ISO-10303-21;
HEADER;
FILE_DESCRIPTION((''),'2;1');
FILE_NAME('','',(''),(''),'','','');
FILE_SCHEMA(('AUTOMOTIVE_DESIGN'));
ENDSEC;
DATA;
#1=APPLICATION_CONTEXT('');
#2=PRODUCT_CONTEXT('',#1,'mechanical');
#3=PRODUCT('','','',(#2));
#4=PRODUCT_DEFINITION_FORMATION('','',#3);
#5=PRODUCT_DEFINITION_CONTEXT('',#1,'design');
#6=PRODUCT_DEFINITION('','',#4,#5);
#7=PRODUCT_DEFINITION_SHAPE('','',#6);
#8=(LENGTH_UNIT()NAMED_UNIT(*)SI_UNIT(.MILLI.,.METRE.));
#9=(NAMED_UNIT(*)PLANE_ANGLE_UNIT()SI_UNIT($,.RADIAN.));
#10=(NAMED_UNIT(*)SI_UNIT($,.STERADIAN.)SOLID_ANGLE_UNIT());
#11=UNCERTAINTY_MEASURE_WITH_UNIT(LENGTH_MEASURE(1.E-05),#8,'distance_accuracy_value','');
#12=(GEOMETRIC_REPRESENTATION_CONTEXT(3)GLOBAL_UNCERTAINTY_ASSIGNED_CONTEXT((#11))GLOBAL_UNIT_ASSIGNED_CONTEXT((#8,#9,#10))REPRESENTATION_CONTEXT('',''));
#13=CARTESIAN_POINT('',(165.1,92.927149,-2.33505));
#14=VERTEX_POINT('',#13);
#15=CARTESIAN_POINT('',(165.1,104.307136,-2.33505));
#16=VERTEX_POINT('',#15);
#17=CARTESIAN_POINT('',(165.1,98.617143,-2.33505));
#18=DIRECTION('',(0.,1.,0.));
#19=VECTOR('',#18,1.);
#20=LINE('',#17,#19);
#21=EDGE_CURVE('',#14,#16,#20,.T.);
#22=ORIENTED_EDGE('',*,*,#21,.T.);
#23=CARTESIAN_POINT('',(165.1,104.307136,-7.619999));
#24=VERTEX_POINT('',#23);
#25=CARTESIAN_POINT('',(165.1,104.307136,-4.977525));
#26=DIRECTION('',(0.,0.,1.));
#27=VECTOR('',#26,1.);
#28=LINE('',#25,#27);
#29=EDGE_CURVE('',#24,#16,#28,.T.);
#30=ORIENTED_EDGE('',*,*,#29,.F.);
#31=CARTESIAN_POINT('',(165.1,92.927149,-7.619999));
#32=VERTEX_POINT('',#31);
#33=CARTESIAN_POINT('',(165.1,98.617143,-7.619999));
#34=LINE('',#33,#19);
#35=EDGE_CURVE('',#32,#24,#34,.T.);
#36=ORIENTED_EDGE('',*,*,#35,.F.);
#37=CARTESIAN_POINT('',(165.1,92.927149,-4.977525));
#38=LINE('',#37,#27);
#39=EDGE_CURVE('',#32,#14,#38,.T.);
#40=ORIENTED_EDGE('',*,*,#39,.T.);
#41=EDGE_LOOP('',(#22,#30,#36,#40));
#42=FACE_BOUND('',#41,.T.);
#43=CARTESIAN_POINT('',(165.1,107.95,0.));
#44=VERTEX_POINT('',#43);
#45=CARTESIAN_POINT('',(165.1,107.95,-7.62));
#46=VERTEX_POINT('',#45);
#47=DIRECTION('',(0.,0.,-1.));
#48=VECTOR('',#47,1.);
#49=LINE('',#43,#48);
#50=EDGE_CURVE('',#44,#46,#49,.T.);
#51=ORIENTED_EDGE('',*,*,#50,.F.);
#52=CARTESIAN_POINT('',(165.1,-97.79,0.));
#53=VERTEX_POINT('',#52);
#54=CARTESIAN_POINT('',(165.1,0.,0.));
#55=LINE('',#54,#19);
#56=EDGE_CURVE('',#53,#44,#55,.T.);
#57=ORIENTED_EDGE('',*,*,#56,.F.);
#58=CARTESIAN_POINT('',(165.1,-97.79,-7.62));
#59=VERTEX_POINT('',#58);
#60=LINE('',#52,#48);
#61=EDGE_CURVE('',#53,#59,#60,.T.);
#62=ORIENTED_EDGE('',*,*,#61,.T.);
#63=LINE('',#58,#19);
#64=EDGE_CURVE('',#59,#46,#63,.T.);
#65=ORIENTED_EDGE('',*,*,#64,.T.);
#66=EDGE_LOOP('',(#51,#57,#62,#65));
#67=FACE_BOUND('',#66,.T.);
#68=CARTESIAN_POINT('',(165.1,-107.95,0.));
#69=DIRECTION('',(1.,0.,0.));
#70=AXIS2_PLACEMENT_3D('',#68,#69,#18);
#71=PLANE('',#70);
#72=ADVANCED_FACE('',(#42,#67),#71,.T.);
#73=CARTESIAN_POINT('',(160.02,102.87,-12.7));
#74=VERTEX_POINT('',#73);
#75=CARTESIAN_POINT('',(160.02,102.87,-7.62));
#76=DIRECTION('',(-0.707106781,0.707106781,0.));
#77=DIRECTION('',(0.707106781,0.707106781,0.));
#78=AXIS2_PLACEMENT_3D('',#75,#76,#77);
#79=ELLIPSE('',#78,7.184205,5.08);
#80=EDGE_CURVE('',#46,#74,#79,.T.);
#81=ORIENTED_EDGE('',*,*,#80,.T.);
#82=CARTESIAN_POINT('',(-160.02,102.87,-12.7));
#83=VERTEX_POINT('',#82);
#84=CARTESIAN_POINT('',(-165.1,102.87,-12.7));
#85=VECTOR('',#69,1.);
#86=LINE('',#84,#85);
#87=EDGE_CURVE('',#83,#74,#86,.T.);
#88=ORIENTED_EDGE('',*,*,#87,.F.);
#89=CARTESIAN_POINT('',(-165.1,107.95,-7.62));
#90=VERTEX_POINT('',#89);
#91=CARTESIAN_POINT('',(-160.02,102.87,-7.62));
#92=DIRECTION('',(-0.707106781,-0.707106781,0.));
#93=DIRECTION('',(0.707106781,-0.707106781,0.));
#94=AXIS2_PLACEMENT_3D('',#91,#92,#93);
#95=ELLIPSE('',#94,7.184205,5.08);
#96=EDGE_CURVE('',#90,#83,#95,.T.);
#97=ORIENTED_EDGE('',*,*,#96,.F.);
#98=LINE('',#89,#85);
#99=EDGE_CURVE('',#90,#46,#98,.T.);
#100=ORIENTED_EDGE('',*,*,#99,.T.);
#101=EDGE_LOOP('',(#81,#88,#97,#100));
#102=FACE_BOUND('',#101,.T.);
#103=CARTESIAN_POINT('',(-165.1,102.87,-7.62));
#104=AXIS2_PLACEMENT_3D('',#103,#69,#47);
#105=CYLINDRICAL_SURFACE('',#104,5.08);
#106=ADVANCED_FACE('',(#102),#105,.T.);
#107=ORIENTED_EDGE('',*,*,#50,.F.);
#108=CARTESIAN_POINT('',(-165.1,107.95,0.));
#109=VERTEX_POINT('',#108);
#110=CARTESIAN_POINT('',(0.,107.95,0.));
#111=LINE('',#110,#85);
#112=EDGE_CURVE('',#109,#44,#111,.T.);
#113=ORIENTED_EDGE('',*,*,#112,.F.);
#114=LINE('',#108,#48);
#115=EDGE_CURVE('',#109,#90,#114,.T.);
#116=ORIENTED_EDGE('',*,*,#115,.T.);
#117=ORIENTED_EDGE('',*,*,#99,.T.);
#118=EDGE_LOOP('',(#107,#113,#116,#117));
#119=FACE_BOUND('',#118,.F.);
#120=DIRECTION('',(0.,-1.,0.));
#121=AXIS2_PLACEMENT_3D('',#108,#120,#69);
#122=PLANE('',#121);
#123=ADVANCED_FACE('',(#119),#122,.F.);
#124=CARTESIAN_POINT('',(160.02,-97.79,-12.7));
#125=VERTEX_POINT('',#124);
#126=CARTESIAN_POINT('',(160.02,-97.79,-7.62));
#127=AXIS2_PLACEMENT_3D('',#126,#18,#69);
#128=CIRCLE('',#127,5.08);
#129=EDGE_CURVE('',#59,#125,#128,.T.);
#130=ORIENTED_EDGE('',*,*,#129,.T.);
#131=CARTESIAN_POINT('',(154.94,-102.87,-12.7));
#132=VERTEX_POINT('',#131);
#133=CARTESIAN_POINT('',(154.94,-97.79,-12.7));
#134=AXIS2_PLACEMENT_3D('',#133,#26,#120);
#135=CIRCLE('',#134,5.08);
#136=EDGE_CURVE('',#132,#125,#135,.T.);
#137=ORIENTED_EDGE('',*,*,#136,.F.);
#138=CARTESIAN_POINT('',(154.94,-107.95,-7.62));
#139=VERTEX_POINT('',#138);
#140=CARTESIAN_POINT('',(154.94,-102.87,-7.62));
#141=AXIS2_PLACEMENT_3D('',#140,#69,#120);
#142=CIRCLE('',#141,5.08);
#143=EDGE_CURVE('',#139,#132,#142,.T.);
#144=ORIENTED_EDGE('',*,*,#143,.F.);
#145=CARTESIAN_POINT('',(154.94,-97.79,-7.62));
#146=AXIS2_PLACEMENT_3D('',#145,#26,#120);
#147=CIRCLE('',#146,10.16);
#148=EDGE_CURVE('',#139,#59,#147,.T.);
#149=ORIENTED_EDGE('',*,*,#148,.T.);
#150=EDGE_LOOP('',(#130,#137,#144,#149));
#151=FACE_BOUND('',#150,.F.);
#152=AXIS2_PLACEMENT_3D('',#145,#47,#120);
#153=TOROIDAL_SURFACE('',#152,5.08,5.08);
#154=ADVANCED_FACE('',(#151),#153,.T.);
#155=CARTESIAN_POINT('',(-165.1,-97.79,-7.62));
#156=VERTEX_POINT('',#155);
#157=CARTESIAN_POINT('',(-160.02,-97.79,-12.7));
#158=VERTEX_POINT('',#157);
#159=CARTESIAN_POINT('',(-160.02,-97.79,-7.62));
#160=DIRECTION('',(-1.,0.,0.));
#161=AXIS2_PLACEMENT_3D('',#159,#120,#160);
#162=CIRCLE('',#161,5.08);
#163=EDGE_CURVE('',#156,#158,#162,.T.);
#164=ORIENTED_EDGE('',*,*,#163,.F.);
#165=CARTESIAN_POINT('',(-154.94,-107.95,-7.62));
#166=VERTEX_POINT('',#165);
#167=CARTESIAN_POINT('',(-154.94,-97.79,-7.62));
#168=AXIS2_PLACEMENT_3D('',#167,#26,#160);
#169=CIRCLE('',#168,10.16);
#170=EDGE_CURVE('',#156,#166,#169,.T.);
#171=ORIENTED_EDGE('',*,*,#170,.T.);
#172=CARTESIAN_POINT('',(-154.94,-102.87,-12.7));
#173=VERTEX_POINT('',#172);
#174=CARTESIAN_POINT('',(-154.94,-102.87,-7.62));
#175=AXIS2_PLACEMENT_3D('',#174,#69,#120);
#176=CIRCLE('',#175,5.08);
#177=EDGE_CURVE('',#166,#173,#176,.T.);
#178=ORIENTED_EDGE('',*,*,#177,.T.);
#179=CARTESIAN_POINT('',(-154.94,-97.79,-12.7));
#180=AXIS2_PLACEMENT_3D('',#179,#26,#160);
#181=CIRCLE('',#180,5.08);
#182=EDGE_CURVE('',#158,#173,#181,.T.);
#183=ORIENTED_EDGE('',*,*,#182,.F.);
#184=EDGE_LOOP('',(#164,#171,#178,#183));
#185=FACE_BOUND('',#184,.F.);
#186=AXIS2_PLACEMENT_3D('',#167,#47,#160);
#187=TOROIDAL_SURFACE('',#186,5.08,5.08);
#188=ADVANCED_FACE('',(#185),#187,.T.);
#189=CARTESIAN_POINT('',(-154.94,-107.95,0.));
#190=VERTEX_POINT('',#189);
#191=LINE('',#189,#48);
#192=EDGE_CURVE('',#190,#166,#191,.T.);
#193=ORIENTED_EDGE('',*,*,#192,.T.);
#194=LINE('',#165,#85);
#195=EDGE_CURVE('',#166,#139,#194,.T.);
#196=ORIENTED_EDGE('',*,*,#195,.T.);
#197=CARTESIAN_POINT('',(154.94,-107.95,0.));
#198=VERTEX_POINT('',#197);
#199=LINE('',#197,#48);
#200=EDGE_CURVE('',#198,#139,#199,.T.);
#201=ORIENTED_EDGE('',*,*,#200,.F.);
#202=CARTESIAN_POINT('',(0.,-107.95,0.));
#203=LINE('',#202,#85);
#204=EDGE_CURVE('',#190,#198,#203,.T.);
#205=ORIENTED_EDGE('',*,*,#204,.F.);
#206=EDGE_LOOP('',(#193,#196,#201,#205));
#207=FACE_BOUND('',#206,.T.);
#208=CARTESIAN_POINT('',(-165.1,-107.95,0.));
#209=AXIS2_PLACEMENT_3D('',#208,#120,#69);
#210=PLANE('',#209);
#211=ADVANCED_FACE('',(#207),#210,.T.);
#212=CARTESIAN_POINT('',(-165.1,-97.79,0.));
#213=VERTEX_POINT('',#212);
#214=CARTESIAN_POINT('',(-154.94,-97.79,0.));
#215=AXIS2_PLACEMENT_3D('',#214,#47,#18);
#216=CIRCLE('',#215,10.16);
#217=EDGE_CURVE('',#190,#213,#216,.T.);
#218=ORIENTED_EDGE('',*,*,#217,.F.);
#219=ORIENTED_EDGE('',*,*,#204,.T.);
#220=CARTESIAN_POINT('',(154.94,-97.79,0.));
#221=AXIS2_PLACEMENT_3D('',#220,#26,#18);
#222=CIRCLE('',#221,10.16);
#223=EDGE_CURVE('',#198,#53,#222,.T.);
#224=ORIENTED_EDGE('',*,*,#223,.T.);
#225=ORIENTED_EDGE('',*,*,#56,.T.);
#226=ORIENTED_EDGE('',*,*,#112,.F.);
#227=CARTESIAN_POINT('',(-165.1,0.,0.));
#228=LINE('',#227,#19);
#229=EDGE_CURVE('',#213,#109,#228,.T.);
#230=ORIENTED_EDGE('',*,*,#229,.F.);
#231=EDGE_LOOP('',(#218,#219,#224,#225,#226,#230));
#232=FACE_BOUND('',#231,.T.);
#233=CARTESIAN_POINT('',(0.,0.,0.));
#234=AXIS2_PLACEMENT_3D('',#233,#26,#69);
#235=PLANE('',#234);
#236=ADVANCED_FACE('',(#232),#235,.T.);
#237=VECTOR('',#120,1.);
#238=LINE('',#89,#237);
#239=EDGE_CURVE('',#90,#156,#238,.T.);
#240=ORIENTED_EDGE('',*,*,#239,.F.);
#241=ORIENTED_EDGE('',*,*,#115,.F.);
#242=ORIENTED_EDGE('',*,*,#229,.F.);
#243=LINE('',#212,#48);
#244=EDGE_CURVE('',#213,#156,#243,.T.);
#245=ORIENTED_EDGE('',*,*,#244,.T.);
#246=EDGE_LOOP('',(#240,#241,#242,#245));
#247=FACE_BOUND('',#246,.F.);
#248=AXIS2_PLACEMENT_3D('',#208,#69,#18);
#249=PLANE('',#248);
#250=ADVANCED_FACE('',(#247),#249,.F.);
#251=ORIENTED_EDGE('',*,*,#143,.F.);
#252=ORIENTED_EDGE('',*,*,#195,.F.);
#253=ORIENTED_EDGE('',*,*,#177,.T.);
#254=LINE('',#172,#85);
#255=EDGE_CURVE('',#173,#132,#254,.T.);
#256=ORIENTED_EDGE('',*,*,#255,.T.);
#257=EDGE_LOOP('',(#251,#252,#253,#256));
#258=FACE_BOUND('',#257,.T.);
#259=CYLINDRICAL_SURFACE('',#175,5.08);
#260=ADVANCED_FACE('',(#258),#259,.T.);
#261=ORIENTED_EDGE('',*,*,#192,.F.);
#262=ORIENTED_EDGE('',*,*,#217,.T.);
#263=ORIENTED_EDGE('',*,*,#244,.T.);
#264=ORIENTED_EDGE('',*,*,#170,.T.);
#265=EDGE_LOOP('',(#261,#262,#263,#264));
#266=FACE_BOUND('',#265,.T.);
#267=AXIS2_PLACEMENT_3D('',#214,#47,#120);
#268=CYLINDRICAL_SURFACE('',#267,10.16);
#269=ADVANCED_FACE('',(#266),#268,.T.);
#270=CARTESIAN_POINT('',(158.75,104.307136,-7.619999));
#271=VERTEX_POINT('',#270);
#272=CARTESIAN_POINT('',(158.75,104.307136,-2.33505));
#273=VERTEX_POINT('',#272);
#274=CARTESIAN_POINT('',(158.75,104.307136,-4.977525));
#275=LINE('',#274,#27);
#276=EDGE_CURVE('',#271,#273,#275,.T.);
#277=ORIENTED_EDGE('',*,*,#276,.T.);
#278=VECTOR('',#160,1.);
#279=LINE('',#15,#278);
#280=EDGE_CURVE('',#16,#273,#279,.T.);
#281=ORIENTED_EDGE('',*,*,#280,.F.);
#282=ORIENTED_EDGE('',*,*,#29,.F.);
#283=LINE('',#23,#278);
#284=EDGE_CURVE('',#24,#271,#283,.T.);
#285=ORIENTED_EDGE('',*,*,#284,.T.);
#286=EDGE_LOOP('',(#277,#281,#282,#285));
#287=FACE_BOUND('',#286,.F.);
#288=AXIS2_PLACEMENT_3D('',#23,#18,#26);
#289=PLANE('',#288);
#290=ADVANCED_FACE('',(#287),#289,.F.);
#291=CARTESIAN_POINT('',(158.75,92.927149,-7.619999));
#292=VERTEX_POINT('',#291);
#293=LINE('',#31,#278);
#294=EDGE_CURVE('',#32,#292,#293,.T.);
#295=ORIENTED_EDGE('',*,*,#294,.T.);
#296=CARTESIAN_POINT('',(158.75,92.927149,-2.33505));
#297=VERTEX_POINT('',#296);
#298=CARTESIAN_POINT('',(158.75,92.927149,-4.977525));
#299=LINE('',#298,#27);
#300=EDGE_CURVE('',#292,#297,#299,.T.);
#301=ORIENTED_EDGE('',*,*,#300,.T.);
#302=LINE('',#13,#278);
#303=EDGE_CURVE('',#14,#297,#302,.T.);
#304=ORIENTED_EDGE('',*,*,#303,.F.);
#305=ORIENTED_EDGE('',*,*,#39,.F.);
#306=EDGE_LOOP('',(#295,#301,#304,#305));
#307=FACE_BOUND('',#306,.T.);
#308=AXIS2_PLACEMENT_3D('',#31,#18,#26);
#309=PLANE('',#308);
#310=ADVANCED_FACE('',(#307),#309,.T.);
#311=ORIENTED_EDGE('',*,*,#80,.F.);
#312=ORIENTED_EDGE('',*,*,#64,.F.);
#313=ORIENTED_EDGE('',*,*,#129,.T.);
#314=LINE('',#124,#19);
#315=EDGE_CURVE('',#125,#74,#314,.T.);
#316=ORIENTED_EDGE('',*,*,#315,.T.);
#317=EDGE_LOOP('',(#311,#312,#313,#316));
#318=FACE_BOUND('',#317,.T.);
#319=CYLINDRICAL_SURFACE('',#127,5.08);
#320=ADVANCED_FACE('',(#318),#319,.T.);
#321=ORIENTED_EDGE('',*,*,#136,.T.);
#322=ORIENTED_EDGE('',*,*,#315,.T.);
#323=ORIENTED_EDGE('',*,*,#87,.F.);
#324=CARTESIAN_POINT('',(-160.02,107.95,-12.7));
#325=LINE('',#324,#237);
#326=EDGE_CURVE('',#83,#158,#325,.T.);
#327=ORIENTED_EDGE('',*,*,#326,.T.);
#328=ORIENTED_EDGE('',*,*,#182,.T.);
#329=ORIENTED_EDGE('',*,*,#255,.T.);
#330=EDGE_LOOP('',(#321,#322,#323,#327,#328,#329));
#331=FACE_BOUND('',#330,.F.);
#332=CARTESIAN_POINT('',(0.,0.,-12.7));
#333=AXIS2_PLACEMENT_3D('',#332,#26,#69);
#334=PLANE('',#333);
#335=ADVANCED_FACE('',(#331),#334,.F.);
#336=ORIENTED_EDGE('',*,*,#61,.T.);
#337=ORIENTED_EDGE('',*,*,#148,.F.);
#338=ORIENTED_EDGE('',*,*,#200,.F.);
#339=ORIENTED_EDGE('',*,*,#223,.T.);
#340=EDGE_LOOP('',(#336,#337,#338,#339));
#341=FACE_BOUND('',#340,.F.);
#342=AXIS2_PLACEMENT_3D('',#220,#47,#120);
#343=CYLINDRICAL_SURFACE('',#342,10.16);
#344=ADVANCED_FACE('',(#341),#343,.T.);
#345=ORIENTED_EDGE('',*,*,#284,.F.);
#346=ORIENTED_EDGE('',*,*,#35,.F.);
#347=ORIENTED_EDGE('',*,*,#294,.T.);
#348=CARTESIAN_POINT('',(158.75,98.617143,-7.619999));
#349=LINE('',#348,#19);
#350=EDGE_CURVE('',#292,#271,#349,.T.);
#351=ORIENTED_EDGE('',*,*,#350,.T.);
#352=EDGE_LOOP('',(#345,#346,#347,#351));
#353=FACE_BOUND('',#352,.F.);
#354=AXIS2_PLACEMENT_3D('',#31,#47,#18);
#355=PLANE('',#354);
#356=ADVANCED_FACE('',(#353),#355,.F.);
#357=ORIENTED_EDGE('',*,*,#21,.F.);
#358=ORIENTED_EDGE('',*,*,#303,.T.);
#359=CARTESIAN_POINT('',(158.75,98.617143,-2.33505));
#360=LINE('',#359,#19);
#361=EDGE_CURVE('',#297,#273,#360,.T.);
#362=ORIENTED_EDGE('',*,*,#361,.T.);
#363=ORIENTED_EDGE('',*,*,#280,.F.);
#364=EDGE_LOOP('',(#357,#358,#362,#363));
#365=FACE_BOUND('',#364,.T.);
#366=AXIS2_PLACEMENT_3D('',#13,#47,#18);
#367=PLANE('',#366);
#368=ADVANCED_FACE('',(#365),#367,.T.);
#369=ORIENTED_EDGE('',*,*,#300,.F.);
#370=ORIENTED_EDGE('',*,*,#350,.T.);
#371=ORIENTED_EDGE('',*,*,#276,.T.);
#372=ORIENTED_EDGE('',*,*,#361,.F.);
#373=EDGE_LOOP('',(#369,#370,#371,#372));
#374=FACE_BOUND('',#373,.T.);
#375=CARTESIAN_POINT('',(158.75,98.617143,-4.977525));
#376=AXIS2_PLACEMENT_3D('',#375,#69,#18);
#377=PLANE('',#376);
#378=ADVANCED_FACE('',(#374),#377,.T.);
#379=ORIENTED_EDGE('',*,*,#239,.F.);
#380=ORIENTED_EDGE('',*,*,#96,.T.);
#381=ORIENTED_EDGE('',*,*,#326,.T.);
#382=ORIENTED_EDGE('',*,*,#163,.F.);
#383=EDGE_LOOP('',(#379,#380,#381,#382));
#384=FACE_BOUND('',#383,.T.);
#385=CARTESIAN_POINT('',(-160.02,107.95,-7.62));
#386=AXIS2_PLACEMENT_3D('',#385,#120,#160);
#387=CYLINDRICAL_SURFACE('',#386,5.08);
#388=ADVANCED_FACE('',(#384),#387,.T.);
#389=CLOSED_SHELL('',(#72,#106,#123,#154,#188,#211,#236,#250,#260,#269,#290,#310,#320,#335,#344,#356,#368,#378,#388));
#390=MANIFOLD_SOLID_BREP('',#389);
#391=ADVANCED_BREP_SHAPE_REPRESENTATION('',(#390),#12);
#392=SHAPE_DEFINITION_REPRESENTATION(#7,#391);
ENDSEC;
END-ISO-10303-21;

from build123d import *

# Parameters (mm, degrees)
F0_W     = 330.2
F0_H     = 215.9
F1_DEPTH = 12.7
F2_R     = 10.16
F3_R     = 10.16
F4_R     = 5.08
F5_W     = 15.24
F5_H     = 4.572
F6_DEPTH = 10.16
F7_W     = 11.379987
F7_H     = 5.284949
F8_DEPTH = 6.35


with BuildPart() as f1:
    # F0 (on Top) → F1 (new body)
    with BuildSketch(Plane.XY):
        Rectangle(F0_W, F0_H)
    extrude(amount=-F1_DEPTH)

    # F2
    f2_edges = [f1.edges().sort_by_distance(p)[0] for p in [
        (165.1, -107.95, -6.35),
    ]]
    fillet(f2_edges, radius=F2_R)

    # F3
    f3_edges = [f1.edges().sort_by_distance(p)[0] for p in [
        (-165.1, -107.95, -6.35),
    ]]
    fillet(f3_edges, radius=F3_R)

    # F4
    f4_edges = [f1.edges().sort_by_distance(p)[0] for p in [
        (0, -107.95, -12.7),
        (-162.124205, -104.974205, -12.7),
        (162.124205, -104.974205, -12.7),
        (-165.1, 5.08, -12.7),
        (165.1, 5.08, -12.7),
        (0, 107.95, -12.7),
    ]]
    fillet(f4_edges, radius=F4_R)

    # F5 (on face) → F6 (join)
    with BuildSketch(Plane.YZ.offset(165.1)):
        with Locations((97.510784, -5.334)):
            Rectangle(F5_W, F5_H)
    extrude(amount=-F6_DEPTH)

    # F7 (on face) → F8 (cut)
    with BuildSketch(Plane.YZ.offset(165.1)):
        with Locations((98.617143, -4.977525)):
            Rectangle(F7_W, F7_H)
    extrude(amount=-F8_DEPTH, mode=Mode.SUBTRACT)


solid = f1.part
